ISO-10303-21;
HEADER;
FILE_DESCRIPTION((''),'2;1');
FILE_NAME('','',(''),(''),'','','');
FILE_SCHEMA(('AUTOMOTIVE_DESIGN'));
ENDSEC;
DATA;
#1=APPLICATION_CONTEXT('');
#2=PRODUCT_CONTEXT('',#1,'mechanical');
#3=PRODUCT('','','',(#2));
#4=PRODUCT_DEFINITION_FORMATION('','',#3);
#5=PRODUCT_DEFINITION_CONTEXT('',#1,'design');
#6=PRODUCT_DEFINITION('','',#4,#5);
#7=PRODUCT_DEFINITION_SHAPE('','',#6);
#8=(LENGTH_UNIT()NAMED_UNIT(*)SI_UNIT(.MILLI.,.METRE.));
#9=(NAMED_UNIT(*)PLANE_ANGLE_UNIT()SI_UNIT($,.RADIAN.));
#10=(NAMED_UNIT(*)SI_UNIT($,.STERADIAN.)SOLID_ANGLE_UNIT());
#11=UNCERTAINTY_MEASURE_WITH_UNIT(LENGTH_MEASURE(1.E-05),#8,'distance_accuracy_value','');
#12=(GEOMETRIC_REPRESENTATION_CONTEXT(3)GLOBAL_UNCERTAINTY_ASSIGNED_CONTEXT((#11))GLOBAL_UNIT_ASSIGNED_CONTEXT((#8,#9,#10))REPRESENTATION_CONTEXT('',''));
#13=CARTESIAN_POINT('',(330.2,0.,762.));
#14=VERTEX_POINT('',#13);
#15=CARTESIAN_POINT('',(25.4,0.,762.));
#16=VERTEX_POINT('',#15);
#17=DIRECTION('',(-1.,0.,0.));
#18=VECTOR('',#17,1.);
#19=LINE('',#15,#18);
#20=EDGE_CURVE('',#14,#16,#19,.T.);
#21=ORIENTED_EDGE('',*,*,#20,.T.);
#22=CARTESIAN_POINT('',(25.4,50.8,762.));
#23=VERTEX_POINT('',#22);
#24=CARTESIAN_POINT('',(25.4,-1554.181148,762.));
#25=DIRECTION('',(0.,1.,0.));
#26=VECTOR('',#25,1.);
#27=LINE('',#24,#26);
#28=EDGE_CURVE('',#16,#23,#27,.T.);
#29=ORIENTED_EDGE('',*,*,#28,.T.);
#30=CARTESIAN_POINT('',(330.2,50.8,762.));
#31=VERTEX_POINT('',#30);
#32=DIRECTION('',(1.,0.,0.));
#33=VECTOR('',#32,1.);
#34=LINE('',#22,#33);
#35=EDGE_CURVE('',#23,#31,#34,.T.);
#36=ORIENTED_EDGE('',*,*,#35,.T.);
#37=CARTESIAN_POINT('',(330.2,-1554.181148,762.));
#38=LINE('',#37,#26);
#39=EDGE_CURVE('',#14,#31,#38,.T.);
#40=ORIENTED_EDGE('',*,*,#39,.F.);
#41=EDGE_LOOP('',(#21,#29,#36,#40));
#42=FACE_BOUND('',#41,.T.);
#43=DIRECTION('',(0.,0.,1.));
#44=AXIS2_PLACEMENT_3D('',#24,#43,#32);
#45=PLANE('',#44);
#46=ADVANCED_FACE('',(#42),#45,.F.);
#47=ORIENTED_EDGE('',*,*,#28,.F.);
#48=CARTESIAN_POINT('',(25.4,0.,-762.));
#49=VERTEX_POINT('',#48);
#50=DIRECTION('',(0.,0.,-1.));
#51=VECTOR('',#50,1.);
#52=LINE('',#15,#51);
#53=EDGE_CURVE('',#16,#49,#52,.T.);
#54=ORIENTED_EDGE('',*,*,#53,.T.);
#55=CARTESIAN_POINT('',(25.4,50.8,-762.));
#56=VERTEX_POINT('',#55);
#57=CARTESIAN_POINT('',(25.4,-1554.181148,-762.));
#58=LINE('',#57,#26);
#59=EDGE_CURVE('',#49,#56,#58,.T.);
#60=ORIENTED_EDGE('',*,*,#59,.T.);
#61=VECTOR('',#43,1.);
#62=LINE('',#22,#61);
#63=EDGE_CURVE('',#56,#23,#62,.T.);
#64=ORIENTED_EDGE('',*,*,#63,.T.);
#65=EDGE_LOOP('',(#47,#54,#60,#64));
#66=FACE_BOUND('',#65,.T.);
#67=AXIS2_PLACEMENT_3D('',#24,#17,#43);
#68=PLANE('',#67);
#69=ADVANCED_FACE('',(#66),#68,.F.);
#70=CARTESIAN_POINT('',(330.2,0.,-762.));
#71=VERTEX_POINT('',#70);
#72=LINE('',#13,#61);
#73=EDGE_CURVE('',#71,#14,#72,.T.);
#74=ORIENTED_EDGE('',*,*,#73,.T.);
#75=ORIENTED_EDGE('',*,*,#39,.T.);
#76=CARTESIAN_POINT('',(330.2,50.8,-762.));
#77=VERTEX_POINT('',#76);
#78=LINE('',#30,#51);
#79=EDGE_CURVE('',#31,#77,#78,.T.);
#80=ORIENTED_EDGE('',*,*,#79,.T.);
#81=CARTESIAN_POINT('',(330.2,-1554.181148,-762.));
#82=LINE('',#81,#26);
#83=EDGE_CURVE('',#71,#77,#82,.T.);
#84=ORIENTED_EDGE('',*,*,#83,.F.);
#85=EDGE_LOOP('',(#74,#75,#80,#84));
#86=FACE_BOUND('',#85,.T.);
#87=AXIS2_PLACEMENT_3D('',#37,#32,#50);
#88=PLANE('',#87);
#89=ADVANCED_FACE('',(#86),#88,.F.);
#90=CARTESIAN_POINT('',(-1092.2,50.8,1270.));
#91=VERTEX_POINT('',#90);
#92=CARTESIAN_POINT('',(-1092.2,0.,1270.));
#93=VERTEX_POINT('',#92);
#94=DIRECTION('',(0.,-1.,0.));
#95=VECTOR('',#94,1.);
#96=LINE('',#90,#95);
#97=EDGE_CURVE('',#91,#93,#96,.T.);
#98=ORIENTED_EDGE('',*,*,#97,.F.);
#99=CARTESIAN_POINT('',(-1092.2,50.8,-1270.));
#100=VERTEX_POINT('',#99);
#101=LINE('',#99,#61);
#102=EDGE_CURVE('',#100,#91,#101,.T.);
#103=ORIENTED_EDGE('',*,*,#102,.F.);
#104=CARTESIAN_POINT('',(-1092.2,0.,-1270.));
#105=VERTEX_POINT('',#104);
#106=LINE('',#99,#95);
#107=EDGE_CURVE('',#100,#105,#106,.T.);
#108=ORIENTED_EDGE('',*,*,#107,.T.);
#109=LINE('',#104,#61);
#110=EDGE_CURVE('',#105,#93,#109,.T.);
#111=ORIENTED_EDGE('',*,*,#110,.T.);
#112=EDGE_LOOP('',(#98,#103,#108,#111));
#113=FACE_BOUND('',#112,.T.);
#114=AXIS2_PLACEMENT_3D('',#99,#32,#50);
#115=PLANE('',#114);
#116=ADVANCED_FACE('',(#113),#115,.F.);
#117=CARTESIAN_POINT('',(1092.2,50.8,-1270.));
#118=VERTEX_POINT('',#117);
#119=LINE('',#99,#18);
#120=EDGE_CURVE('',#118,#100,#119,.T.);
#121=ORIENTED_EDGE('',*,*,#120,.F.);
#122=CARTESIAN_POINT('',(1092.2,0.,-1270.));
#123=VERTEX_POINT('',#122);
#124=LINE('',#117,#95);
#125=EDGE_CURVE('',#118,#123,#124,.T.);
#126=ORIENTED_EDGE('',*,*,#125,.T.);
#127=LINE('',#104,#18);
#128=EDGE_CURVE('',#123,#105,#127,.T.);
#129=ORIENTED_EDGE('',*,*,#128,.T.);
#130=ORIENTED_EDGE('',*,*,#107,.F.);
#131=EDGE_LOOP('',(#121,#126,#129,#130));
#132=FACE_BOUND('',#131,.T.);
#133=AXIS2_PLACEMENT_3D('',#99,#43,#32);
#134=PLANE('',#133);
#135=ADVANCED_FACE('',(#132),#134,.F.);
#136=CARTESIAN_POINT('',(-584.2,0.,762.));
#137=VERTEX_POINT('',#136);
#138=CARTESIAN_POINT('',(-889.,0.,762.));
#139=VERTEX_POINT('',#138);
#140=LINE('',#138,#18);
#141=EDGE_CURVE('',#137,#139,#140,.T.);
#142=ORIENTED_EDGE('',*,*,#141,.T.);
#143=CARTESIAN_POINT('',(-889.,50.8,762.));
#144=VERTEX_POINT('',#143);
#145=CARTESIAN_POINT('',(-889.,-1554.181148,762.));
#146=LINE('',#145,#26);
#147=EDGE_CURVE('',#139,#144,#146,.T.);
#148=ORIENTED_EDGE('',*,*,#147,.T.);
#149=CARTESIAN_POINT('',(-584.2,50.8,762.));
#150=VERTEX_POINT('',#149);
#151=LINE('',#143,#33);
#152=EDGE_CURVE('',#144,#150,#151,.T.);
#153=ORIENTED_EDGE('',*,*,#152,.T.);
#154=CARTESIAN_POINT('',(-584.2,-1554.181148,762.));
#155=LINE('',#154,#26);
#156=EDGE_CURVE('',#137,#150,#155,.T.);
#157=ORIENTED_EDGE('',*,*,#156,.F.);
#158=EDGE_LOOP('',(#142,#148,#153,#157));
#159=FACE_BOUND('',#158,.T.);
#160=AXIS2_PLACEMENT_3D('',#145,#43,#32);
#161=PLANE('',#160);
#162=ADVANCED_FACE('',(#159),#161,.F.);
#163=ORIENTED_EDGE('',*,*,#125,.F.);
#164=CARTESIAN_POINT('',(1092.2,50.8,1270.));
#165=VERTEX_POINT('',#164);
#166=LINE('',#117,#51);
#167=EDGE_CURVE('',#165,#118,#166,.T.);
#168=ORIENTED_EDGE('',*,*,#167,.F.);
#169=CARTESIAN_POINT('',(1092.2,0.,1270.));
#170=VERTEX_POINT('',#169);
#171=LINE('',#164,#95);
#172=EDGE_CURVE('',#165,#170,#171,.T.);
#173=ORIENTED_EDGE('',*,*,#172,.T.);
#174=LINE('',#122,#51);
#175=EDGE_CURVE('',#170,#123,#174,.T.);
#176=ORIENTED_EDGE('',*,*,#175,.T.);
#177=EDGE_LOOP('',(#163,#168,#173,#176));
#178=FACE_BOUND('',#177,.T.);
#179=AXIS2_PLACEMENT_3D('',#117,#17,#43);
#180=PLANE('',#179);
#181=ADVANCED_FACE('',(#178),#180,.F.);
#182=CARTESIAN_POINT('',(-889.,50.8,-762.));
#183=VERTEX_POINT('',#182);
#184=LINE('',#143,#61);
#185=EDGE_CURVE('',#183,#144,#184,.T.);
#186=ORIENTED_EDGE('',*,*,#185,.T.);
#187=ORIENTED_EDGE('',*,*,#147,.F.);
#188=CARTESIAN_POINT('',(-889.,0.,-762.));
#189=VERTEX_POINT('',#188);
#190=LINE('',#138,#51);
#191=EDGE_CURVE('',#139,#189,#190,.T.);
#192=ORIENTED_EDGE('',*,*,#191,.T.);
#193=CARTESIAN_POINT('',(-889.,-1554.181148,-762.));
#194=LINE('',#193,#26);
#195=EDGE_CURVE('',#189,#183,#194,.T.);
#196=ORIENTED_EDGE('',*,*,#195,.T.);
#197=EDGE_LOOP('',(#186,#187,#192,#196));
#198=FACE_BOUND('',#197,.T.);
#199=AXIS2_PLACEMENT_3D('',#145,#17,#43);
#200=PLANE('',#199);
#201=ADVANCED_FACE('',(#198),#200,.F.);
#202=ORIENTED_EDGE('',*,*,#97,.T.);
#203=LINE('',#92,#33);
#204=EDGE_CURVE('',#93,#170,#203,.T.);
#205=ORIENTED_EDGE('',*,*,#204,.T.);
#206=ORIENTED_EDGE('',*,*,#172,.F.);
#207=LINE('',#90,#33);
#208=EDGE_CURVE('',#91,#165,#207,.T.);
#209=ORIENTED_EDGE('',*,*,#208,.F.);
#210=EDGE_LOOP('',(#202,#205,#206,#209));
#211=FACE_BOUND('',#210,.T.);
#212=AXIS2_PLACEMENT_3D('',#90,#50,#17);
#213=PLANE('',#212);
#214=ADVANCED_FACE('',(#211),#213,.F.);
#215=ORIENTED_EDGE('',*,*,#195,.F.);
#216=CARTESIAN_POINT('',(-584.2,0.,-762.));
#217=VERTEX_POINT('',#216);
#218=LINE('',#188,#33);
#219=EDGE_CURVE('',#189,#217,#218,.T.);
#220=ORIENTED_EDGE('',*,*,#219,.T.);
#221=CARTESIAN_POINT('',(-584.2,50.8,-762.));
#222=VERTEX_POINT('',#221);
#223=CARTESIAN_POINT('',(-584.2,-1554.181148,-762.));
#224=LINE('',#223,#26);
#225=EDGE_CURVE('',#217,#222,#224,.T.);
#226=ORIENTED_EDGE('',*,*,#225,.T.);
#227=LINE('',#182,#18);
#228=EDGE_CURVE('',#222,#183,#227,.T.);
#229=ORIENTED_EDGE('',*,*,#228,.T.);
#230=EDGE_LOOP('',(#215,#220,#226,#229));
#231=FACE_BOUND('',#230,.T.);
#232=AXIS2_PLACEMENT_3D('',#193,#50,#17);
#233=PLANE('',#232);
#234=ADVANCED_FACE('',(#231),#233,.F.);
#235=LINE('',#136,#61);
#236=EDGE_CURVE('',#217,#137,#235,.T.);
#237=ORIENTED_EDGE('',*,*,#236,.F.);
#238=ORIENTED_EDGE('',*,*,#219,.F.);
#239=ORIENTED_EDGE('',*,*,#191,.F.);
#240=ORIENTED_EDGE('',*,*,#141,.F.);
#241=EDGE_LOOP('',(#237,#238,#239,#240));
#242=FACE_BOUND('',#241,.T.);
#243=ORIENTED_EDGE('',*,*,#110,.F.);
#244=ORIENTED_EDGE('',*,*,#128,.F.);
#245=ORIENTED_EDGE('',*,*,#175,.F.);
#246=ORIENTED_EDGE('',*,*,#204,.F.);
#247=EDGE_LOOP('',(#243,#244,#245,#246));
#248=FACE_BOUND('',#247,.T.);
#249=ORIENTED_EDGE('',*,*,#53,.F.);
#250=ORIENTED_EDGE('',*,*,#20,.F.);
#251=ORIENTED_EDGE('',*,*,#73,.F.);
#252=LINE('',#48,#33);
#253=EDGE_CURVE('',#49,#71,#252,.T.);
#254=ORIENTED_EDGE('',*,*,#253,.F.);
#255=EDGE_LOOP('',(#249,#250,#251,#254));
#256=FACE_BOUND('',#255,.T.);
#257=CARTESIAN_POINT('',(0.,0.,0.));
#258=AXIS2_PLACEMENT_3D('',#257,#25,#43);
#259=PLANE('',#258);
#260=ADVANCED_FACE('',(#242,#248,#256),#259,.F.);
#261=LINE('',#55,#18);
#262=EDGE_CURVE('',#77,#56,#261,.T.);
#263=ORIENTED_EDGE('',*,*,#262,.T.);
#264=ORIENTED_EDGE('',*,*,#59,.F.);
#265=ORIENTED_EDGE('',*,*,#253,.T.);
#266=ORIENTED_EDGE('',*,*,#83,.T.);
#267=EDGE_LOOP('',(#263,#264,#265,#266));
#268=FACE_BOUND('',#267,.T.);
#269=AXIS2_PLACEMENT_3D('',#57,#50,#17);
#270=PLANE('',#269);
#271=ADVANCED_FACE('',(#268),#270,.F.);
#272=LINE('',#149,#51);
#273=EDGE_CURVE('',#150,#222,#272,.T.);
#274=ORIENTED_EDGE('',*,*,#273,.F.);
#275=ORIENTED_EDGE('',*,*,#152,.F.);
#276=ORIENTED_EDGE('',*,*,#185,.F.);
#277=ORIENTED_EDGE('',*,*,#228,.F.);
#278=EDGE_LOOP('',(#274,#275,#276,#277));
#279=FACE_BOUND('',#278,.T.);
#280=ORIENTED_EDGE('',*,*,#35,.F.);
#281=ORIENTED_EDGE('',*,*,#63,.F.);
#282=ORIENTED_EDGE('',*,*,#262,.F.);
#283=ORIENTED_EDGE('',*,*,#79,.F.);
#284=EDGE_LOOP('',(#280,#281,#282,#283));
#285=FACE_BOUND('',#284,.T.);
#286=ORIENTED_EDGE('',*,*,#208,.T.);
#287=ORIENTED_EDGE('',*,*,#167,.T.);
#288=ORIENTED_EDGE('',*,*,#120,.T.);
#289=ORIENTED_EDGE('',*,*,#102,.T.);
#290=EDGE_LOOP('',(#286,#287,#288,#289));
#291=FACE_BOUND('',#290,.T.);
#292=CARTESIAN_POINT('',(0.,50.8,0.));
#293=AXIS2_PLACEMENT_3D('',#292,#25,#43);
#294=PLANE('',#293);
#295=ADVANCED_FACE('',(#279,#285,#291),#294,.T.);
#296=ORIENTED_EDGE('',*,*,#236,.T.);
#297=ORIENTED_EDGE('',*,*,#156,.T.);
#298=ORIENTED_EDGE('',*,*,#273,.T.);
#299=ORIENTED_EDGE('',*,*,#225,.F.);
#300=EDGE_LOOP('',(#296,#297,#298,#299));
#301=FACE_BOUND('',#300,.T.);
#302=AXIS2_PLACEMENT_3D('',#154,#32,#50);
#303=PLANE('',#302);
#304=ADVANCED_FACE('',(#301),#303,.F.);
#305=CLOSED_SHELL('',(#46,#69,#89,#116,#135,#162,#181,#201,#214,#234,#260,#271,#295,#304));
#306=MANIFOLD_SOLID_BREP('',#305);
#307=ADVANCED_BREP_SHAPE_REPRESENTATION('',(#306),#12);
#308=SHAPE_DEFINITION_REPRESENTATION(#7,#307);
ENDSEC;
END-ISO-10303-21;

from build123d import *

# Parameters (mm, degrees)
SKETCH1_W           = 2184.4
SKETCH1_H           = 2540
BOSS_EXTRUDE1_DEPTH = 50.8
SKETCH2_W           = 304.8
SKETCH2_H           = 1524
CUT_EXTRUDE1_DEPTH  = 50.8


with BuildPart() as part:
    # Sketch1 → Boss-Extrude1 (new body)
    with BuildSketch(Plane(origin=(0, 0, 0), x_dir=(1, 0, 0), z_dir=(0, 1, 0))):
        Rectangle(SKETCH1_W, SKETCH1_H)
    extrude(amount=BOSS_EXTRUDE1_DEPTH)

    # Sketch2 → Cut-Extrude1 (cut)
    with BuildSketch(Plane(origin=(0, 50.8, 0), x_dir=(1, 0, 0), z_dir=(0, 1, 0))):
        with Locations((177.8, 0)):
            Rectangle(SKETCH2_W, SKETCH2_H)
        with Locations((-736.6, 0)):
            Rectangle(SKETCH2_W, SKETCH2_H)
    extrude(amount=-CUT_EXTRUDE1_DEPTH, mode=Mode.SUBTRACT)


solid = part.part
